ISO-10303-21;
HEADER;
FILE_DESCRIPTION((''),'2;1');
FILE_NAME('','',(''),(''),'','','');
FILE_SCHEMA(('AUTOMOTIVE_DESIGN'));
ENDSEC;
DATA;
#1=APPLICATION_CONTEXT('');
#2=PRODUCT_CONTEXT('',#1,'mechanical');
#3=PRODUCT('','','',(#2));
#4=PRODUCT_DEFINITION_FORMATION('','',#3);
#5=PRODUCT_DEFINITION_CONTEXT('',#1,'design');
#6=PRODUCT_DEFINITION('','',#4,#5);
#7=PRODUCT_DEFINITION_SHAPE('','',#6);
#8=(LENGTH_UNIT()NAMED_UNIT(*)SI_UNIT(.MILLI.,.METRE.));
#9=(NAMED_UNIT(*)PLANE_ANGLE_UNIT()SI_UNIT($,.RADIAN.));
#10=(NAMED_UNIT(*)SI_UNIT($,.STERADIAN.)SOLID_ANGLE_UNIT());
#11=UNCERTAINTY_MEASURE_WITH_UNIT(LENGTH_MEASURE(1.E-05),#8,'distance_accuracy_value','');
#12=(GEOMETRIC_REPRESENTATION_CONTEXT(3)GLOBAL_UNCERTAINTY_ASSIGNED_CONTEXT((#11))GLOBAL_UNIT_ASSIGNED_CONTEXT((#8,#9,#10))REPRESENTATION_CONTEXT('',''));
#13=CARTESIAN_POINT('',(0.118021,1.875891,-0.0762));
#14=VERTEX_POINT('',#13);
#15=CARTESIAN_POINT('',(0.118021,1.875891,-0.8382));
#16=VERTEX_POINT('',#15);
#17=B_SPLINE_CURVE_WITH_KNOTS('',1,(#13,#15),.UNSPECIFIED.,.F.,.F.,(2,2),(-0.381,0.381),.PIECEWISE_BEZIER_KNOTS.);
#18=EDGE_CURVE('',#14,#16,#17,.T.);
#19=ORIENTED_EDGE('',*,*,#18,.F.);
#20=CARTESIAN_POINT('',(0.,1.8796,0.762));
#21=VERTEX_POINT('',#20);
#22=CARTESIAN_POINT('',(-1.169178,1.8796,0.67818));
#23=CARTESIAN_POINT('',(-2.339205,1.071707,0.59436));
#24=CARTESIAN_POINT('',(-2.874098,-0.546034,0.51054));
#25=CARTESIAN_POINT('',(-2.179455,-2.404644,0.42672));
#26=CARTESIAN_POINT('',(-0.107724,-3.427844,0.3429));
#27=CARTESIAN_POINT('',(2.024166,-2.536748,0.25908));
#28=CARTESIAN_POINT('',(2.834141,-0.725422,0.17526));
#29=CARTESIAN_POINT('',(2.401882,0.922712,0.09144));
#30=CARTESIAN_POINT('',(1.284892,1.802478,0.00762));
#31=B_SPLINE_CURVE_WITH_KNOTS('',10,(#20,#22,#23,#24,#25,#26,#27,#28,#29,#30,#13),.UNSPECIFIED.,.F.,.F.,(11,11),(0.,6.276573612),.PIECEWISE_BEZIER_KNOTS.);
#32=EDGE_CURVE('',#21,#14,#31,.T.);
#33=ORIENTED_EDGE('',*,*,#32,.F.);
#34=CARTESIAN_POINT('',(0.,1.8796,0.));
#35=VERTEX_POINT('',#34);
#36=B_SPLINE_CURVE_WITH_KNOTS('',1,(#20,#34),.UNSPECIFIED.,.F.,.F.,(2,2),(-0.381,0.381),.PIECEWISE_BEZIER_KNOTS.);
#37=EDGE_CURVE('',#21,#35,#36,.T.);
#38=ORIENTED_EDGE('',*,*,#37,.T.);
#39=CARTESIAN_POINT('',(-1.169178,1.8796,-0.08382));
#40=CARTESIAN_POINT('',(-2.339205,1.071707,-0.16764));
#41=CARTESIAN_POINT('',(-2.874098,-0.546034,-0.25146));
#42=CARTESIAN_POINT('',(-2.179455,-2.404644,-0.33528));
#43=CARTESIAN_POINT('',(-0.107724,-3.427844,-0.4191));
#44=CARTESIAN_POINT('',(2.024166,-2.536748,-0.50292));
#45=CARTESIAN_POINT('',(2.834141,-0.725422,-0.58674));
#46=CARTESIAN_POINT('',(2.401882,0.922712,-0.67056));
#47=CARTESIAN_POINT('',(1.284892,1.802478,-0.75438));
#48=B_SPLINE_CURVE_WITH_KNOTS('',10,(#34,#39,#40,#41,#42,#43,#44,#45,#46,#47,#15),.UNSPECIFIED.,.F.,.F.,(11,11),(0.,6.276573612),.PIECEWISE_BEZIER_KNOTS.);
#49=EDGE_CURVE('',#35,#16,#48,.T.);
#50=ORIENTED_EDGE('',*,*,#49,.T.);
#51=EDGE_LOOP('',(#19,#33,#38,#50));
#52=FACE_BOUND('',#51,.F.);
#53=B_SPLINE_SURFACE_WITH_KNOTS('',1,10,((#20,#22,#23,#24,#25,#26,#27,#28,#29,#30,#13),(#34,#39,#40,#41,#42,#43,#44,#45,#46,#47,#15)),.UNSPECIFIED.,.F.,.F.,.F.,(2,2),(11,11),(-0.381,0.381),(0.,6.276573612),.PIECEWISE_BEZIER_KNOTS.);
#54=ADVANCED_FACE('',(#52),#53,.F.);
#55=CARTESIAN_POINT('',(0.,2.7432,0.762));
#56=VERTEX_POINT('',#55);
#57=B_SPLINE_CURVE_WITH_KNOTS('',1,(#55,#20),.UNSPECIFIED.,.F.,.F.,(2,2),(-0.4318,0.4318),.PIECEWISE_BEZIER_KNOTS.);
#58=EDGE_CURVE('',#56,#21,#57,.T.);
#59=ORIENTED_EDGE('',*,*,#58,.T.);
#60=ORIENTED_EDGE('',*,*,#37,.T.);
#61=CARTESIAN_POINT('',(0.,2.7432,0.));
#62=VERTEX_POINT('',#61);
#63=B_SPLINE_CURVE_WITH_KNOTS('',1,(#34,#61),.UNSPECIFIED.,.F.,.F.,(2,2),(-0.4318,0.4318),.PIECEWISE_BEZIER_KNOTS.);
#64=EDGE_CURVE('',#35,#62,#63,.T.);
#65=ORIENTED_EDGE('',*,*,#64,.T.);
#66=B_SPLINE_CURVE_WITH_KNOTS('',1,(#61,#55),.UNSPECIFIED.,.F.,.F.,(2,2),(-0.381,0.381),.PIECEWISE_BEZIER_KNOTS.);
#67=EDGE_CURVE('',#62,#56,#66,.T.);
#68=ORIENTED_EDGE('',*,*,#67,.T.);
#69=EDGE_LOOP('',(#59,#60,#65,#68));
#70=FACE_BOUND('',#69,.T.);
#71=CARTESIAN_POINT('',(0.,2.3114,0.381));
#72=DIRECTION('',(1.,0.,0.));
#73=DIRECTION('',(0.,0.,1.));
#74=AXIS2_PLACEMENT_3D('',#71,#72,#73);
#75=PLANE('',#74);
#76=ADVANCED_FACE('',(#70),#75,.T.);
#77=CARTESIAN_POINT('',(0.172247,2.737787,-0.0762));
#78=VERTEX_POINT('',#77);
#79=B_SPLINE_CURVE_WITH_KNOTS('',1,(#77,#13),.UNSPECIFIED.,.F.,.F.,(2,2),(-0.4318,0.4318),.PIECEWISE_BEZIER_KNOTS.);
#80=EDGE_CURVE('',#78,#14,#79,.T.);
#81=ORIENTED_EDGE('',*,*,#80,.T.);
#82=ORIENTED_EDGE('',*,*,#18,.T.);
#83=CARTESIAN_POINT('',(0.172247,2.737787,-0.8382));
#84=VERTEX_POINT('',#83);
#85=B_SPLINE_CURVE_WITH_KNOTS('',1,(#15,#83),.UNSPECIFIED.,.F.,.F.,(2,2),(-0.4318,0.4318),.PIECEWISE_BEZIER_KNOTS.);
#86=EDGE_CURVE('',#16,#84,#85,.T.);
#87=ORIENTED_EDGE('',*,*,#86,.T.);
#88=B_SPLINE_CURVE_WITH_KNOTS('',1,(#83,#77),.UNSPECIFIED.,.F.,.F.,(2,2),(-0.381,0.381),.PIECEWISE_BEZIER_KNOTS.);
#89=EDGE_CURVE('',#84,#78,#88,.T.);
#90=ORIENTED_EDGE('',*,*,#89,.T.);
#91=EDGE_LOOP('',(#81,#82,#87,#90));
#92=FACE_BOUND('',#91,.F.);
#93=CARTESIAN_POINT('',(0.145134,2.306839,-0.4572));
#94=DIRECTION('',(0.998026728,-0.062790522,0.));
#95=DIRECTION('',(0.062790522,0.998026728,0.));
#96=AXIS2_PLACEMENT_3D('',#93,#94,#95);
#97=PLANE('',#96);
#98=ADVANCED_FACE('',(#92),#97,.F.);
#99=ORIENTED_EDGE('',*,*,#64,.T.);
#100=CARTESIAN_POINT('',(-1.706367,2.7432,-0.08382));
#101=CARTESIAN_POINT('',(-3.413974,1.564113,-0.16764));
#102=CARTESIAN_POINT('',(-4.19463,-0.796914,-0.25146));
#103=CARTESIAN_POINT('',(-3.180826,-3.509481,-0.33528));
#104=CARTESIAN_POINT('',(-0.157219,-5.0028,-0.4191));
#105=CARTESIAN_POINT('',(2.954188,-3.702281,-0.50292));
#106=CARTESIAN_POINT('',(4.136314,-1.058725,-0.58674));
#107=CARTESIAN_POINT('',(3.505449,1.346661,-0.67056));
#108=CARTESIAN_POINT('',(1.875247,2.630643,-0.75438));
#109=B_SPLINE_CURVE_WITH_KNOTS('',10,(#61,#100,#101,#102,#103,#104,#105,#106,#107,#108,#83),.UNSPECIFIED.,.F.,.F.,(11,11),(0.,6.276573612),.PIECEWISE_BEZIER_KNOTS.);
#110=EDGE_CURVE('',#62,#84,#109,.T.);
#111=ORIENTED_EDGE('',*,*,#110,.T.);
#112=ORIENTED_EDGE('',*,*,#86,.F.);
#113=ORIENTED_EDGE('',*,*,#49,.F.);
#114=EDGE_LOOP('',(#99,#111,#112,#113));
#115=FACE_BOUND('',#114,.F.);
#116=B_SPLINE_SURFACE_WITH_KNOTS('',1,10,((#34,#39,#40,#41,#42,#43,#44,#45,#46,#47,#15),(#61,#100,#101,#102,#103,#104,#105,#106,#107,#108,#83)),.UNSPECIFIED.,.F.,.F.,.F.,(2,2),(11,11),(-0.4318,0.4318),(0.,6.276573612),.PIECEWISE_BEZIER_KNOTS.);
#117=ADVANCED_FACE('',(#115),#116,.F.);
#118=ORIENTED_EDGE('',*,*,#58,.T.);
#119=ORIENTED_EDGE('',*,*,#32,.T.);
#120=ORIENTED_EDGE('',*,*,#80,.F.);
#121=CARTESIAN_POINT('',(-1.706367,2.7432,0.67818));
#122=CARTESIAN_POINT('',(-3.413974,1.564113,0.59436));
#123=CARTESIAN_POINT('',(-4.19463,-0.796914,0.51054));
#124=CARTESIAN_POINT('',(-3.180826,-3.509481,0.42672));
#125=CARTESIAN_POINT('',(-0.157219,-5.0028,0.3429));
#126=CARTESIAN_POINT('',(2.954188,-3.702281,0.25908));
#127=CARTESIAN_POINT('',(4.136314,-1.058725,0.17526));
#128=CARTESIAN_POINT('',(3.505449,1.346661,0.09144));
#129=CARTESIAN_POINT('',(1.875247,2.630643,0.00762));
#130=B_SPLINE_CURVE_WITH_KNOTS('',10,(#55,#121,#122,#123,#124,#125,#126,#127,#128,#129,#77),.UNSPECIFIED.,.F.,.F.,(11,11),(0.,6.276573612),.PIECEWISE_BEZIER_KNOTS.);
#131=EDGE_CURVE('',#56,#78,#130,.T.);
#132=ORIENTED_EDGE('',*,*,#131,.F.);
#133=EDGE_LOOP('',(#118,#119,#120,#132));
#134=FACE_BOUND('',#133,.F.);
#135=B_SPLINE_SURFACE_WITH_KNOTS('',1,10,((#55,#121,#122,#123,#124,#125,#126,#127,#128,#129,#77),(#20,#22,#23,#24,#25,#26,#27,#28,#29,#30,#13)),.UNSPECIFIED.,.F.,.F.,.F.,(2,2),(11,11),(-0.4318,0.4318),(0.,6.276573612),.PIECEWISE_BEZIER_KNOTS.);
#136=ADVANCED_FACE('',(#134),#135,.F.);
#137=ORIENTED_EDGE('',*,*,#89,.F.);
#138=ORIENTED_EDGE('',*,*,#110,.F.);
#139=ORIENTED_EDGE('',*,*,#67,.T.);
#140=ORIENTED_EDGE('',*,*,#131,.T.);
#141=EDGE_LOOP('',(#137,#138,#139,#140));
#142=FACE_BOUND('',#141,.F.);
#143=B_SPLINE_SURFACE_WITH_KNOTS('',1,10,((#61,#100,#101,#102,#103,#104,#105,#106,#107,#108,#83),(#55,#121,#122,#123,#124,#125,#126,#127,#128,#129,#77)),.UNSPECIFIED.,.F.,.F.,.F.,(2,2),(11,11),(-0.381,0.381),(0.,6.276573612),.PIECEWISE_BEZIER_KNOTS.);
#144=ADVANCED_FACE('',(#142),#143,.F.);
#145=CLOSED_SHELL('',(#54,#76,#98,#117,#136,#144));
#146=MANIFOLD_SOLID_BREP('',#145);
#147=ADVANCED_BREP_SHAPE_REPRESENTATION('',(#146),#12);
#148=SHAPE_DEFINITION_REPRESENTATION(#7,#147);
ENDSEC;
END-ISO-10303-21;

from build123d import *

# Parameters (mm, degrees)
SWEEP1_PITCH       = 0.846666667
SWEEP1_HEIGHT      = 0.8382
SWEEP1_RADIUS      = 2.7432
SWEEP1_START_ANGLE = 90
SKETCH2_W          = 0.762
SKETCH2_H          = 0.8636


with BuildPart() as part:
    # Sweep1: sweep along a helix
    with BuildLine() as sweep1_path:
        add(Helix(SWEEP1_PITCH, SWEEP1_HEIGHT, SWEEP1_RADIUS, center=(0, 0, 0), direction=(0, 0, -1), lefthand=True, mode=Mode.PRIVATE).rotate(Axis((0, 0, 0), (0, 0, -1)), SWEEP1_START_ANGLE))
    # Sketch2 → Sweep1 (sweep)
    with BuildSketch(Plane(origin=(0, 0, 0), x_dir=(0, 0, -1), z_dir=(1, 0, 0))):
        with Locations((-0.381, 2.3114)):
            Rectangle(SKETCH2_W, SKETCH2_H)
    sweep(path=sweep1_path.line, is_frenet=True)


solid = part.part
